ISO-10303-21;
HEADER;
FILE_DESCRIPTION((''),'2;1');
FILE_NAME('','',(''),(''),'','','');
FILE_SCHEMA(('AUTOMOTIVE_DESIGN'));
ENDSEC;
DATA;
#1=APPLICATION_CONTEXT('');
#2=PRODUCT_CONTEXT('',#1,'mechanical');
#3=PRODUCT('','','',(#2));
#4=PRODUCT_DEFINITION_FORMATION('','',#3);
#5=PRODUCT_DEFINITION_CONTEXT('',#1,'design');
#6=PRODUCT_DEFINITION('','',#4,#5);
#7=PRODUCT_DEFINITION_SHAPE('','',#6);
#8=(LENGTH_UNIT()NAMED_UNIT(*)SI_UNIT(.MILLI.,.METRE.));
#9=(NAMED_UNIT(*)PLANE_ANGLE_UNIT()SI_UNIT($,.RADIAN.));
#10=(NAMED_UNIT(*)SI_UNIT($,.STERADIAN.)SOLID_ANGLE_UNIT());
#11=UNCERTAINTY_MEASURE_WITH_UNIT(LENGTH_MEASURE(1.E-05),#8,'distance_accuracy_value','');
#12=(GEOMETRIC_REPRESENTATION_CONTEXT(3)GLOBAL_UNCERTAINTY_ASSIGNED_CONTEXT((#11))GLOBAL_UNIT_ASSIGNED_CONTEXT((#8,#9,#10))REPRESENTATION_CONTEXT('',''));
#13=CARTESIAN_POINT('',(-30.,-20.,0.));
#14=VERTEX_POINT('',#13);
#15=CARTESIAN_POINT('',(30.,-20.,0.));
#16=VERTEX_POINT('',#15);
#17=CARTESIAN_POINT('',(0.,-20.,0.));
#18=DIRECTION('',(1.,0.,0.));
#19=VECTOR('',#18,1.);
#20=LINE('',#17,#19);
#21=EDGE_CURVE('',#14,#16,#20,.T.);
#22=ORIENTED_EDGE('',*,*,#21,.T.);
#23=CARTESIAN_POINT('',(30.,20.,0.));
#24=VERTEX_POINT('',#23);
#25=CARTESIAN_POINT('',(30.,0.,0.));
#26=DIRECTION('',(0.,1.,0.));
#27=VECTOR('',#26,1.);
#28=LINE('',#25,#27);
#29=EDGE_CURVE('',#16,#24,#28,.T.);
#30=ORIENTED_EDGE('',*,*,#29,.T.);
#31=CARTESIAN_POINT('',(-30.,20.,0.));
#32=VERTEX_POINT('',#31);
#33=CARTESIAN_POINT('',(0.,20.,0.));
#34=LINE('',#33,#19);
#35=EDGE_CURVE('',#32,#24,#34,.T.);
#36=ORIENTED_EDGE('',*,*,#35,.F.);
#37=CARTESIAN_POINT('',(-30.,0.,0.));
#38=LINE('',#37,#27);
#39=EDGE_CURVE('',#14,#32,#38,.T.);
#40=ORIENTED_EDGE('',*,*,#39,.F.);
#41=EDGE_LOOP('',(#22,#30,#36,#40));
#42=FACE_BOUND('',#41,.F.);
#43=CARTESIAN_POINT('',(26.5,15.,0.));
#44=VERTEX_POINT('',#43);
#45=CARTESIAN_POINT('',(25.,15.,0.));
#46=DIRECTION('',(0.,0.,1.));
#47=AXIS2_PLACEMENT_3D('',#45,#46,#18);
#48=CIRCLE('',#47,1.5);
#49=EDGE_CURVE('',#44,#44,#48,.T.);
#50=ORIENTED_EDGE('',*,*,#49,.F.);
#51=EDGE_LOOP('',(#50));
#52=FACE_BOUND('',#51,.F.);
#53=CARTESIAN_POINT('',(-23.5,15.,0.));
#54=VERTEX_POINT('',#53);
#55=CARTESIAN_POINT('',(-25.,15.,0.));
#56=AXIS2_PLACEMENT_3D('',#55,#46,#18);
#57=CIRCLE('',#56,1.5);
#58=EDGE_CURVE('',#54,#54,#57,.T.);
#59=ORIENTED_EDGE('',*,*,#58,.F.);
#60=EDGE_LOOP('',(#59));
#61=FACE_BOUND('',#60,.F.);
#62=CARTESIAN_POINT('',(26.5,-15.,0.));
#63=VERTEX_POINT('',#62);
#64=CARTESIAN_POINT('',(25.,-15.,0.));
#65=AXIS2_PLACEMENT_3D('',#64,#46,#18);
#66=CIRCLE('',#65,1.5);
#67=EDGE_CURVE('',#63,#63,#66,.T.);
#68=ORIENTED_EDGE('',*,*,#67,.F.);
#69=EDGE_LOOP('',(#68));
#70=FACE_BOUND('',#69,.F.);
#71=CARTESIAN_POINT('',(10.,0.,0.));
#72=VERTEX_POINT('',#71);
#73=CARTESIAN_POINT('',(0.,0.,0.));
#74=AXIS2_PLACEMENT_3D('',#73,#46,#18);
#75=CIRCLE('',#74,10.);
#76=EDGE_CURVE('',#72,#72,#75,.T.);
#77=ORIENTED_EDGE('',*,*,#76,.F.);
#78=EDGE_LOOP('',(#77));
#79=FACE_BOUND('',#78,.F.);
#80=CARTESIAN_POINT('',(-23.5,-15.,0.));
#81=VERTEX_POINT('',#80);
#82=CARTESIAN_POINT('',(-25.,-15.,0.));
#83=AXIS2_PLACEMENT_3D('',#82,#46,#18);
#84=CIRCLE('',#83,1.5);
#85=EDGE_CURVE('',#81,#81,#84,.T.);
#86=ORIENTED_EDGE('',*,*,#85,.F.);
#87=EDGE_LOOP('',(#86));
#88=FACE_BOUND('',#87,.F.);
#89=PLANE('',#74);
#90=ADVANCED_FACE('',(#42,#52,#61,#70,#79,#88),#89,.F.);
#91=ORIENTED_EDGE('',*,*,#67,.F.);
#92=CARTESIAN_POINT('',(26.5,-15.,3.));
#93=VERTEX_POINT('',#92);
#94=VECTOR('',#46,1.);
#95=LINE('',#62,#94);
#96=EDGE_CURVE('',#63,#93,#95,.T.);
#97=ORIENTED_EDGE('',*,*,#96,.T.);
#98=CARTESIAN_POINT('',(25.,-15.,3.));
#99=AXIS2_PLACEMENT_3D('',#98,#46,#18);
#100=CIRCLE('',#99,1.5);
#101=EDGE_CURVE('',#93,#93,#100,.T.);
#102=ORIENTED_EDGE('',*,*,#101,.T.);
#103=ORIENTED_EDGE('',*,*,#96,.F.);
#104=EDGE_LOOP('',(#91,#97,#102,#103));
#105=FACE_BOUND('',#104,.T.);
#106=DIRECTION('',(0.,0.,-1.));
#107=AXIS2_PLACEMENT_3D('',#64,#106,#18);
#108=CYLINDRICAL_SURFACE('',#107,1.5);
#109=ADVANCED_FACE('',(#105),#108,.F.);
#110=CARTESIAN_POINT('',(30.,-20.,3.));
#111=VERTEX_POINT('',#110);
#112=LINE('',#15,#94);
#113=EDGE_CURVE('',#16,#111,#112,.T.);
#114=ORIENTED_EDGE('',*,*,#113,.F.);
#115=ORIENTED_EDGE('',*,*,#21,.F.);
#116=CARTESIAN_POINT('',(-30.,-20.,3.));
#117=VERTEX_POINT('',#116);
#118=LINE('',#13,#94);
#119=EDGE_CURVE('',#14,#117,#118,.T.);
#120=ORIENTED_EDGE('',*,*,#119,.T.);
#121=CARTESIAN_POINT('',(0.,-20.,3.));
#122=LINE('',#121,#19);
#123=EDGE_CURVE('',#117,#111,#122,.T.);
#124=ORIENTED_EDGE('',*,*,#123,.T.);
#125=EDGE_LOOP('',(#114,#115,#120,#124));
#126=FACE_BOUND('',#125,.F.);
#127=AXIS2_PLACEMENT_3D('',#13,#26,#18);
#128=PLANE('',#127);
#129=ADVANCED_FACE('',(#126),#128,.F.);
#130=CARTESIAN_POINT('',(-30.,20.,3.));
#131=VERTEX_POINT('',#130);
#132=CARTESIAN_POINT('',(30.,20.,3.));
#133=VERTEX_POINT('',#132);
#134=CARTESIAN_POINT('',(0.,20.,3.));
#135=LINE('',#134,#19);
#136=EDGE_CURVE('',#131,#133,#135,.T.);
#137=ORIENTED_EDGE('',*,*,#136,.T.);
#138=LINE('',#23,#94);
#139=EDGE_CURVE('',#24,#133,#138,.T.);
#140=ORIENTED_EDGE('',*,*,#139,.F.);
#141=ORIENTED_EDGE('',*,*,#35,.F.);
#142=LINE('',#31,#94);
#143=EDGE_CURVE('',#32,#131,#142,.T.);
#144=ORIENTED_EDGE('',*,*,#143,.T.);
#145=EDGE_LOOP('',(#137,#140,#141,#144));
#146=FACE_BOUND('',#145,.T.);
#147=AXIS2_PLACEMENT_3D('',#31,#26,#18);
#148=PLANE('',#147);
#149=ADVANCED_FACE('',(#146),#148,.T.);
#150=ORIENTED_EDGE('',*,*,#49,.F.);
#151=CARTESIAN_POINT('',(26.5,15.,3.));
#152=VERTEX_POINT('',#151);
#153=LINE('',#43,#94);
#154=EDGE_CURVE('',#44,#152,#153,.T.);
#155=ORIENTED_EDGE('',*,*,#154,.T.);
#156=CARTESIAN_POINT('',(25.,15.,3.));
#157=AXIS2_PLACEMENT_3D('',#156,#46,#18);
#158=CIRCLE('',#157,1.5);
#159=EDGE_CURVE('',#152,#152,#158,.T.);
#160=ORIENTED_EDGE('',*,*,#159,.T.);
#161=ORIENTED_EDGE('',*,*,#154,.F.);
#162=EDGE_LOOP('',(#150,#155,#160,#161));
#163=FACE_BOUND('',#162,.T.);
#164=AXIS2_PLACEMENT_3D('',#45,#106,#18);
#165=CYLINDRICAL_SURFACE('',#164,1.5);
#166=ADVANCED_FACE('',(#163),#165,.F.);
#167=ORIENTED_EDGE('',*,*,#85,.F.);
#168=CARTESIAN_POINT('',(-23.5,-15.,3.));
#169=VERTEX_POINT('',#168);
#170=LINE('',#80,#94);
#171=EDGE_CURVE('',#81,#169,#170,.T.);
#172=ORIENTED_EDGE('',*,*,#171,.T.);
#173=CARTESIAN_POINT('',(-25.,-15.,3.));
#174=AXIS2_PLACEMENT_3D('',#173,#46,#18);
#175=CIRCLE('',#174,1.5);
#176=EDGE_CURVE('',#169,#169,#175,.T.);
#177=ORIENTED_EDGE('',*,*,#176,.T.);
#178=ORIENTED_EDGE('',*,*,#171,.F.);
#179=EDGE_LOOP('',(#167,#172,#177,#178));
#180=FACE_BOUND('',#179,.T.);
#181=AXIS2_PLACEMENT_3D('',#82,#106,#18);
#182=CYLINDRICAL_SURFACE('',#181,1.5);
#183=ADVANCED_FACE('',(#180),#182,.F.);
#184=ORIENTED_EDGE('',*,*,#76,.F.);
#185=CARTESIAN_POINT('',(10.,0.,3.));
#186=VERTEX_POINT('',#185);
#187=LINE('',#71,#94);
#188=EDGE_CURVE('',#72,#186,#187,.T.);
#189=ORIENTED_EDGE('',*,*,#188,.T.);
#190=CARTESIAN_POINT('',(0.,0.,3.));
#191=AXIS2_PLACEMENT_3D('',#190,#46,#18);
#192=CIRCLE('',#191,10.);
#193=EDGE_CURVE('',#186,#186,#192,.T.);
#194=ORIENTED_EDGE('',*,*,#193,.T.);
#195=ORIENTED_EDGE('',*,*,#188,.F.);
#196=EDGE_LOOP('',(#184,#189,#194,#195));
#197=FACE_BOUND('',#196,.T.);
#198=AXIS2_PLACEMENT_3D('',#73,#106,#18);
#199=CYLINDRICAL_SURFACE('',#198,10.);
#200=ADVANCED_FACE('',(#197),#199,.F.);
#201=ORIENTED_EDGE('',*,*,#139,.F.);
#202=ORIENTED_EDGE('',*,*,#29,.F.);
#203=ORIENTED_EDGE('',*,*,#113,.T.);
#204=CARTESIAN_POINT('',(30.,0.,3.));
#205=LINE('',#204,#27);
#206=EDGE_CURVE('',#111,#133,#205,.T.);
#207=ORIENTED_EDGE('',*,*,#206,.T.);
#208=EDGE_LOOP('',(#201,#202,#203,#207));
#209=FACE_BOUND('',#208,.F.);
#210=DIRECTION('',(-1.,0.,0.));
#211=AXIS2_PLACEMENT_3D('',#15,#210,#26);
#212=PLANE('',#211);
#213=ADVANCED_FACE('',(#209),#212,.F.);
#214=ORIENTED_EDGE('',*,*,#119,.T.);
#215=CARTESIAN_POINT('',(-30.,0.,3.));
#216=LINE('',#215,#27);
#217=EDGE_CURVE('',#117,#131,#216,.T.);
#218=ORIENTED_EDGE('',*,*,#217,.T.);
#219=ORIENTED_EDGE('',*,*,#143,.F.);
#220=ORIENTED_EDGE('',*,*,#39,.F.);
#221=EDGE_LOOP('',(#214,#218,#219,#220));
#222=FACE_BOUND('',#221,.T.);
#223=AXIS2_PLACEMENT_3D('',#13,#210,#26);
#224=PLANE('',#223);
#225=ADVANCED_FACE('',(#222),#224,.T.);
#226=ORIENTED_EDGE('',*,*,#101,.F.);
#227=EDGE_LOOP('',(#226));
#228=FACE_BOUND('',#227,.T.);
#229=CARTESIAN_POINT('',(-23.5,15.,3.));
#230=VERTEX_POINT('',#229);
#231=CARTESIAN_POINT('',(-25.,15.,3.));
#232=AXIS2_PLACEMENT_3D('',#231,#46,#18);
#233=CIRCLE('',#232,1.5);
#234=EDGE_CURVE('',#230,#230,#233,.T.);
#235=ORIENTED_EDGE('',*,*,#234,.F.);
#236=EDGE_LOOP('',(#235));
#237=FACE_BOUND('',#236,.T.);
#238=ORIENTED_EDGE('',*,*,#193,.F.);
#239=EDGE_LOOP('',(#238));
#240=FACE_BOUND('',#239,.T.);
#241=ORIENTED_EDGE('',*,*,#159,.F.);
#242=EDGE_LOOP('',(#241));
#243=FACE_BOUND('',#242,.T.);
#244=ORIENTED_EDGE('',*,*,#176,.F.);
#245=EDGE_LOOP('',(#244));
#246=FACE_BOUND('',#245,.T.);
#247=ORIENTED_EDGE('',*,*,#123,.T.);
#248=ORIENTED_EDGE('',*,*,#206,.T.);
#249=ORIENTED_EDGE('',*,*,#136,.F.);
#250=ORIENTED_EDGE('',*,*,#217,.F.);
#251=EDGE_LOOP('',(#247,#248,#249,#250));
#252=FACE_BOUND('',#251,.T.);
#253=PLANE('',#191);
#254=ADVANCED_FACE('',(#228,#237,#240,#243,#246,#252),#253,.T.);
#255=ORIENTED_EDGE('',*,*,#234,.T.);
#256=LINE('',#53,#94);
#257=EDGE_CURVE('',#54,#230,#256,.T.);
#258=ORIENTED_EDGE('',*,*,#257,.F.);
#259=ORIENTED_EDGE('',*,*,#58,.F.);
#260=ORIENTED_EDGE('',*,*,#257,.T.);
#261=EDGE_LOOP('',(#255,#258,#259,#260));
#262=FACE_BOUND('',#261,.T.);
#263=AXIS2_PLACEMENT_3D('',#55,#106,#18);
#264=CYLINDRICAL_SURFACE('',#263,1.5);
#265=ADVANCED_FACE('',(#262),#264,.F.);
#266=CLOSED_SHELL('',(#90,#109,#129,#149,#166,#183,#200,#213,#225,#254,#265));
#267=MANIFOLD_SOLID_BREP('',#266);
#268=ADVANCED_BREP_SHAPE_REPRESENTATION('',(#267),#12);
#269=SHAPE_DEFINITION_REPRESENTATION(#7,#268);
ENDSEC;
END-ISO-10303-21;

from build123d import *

# Parameters (mm, degrees)
SKETCH_W   = 60
SKETCH_H   = 40
SKETCH_R   = 1.5
SKETCH_R_2 = 10
PAD_DEPTH  = 3


with BuildPart() as part:
    # Sketch → Pad (new body)
    with BuildSketch(Plane.XY):
        Rectangle(SKETCH_W, SKETCH_H)
        with Locations((25, 15)):
            Circle(SKETCH_R, mode=Mode.SUBTRACT)
        with Locations((25, -15)):
            Circle(SKETCH_R, mode=Mode.SUBTRACT)
        with Locations((-25, -15)):
            Circle(SKETCH_R, mode=Mode.SUBTRACT)
        with Locations((-25, 15)):
            Circle(SKETCH_R, mode=Mode.SUBTRACT)
        Circle(SKETCH_R_2, mode=Mode.SUBTRACT)
    extrude(amount=PAD_DEPTH)


solid = part.part
